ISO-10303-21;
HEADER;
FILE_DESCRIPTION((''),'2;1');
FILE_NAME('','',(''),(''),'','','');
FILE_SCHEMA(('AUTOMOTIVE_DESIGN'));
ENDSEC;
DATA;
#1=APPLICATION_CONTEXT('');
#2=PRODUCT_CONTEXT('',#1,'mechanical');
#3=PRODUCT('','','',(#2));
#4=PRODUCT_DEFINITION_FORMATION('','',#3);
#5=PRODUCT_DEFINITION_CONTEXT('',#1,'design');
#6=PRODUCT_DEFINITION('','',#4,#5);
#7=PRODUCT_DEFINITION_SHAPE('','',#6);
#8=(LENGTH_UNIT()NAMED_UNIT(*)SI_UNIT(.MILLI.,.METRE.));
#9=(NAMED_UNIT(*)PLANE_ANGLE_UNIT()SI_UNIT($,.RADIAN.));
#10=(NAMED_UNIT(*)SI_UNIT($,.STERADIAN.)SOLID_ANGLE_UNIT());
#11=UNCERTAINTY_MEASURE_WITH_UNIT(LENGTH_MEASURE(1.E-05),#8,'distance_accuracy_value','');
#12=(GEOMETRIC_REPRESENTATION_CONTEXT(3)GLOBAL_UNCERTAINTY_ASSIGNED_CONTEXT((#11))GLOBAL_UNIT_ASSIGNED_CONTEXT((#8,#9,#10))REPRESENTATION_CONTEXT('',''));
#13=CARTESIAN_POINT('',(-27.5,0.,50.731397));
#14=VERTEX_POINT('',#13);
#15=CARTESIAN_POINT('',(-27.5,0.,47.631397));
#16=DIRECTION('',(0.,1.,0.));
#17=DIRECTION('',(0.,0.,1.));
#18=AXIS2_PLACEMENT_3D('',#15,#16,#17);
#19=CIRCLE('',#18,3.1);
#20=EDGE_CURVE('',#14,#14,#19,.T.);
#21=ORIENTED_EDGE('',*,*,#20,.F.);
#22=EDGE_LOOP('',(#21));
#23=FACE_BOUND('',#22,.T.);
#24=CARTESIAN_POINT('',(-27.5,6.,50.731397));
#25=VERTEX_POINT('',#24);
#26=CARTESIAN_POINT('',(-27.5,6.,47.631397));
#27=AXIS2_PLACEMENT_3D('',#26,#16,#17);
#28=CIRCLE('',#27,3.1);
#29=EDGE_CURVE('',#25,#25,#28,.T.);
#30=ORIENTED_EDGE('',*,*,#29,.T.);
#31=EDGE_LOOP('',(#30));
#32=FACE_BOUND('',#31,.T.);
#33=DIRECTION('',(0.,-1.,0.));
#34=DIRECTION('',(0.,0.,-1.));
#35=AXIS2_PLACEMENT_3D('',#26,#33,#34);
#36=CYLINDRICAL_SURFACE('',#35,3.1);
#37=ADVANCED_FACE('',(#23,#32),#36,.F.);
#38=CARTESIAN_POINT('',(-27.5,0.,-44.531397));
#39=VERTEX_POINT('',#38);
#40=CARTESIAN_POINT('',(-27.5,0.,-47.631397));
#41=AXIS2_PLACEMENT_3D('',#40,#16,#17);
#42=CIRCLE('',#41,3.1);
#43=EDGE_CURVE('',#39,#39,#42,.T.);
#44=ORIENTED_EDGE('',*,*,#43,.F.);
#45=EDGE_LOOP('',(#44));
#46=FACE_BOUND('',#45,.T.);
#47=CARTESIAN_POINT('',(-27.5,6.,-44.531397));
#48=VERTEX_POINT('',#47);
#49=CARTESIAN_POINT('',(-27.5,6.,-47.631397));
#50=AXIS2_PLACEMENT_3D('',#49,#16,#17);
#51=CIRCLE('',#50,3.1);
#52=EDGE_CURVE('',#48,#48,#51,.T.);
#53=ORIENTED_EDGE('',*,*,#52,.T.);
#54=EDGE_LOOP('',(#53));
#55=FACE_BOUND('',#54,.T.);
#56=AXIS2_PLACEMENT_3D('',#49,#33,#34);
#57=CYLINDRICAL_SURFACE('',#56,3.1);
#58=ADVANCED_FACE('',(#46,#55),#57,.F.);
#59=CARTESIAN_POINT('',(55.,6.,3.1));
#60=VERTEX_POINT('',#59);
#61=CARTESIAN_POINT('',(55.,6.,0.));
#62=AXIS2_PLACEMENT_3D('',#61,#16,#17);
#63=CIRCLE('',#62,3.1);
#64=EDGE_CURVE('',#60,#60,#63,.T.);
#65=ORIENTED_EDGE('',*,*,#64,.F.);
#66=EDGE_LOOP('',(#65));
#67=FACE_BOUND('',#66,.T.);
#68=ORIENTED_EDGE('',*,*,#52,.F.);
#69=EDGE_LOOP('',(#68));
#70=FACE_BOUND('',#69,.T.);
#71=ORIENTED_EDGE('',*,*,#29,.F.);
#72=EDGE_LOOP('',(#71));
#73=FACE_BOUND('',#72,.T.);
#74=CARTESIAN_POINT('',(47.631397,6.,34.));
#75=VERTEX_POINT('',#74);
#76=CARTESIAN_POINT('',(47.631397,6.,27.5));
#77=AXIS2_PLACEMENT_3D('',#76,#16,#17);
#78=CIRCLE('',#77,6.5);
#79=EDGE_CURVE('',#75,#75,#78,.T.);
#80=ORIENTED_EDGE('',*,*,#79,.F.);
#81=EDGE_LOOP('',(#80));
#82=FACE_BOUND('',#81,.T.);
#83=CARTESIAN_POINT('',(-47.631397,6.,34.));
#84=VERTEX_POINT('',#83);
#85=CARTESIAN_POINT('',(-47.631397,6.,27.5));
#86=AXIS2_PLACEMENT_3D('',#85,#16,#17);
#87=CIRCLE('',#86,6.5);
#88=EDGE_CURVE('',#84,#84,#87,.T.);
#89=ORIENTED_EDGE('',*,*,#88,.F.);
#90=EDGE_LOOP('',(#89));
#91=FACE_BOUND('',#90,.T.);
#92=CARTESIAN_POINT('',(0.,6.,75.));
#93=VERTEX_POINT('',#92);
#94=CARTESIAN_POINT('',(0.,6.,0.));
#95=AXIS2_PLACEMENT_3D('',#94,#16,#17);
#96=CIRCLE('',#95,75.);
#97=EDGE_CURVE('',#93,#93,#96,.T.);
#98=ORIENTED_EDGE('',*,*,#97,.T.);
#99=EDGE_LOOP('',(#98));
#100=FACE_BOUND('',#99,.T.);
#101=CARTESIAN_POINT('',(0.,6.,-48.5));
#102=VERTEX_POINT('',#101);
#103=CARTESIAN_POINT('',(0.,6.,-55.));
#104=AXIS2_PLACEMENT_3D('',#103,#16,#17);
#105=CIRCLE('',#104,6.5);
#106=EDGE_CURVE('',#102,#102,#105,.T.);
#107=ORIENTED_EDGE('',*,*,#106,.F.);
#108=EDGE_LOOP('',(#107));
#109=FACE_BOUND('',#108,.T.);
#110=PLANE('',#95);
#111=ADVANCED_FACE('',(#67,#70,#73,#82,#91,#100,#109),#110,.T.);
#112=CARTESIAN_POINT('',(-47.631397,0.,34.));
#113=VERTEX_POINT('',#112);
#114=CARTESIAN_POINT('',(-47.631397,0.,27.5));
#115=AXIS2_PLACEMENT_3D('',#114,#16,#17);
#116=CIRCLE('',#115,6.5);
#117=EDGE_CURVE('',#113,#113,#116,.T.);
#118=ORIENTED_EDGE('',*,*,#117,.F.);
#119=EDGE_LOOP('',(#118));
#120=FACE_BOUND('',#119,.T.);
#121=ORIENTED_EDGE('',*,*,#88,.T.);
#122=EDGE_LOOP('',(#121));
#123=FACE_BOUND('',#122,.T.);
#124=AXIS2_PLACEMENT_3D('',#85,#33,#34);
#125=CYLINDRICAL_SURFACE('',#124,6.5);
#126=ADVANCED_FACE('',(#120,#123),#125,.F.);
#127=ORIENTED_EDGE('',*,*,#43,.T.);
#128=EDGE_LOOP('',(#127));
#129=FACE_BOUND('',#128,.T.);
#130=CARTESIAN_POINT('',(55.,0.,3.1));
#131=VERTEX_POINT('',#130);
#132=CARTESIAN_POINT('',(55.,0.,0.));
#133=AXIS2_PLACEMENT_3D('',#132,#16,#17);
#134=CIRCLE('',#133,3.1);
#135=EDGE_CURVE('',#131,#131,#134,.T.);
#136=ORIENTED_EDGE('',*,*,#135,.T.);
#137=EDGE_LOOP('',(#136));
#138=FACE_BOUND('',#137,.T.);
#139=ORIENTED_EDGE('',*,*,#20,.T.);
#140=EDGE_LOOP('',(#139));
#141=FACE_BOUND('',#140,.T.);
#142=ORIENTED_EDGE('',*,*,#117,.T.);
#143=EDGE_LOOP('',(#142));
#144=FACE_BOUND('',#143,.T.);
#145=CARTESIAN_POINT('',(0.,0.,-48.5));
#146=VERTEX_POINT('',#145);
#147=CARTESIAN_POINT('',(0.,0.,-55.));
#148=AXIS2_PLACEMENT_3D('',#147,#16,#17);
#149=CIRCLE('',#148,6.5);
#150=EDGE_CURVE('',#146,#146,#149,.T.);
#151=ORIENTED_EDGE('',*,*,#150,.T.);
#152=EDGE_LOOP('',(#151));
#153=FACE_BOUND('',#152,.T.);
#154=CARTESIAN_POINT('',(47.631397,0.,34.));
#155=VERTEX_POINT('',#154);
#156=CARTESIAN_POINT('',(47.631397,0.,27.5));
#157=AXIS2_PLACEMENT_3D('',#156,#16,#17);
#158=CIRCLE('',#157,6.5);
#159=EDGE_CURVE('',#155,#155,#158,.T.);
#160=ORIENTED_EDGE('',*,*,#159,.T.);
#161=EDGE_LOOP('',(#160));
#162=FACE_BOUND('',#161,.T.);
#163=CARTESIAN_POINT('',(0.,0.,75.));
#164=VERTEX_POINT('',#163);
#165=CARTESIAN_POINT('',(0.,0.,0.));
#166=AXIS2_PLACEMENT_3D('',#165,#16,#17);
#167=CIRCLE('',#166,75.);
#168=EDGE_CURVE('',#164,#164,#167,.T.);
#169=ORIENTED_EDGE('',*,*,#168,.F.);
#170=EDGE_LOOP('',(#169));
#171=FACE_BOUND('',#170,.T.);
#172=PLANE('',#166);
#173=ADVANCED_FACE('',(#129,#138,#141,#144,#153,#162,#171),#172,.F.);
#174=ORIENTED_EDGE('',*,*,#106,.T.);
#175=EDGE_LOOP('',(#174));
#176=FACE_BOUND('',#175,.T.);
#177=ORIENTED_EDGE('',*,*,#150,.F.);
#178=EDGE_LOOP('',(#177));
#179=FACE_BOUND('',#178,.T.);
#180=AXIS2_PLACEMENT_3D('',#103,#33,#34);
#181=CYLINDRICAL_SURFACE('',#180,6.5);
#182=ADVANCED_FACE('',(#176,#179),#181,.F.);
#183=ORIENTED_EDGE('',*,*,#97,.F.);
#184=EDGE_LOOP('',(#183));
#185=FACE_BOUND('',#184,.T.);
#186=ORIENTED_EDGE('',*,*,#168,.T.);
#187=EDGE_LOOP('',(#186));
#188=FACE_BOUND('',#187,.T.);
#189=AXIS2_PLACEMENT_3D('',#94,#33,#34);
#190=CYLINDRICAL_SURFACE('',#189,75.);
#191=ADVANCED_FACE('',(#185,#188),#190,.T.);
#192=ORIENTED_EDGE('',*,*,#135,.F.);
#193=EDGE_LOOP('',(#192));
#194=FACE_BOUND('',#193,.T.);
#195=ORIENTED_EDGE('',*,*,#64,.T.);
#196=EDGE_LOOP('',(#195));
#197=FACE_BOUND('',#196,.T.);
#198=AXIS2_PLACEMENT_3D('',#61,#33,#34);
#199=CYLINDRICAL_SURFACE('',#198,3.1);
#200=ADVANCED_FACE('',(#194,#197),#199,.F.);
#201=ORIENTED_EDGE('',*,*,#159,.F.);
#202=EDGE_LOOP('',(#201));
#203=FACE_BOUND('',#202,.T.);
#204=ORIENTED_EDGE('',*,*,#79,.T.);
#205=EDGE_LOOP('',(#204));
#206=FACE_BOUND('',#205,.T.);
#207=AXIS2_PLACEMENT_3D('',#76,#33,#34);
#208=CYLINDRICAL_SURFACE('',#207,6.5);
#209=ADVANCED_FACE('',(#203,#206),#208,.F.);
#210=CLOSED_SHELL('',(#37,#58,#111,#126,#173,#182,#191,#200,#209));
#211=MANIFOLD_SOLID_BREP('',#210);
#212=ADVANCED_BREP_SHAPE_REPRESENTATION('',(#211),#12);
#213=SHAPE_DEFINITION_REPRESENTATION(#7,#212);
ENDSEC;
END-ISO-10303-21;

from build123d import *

# Parameters (mm, degrees)
SKETCH1_R           = 75
SKETCH1_R_2         = 6.5
SKETCH1_R_3         = 3.1
BOSS_EXTRUDE1_DEPTH = 6


with BuildPart() as part:
    # Sketch1 → Boss-Extrude1 (new body)
    with BuildSketch(Plane(origin=(0, 0, 0), x_dir=(1, 0, 0), z_dir=(0, 1, 0))):
        Circle(SKETCH1_R)
        with Locations((0, 55)):
            Circle(SKETCH1_R_2, mode=Mode.SUBTRACT)
        with Locations((-47.631397208, -27.5)):
            Circle(SKETCH1_R_2, mode=Mode.SUBTRACT)
        with Locations((47.631397208, -27.5)):
            Circle(SKETCH1_R_2, mode=Mode.SUBTRACT)
        with Locations((-27.5, 47.631397208)):
            Circle(SKETCH1_R_3, mode=Mode.SUBTRACT)
        with Locations((55, 0)):
            Circle(SKETCH1_R_3, mode=Mode.SUBTRACT)
        with Locations((-27.5, -47.631397208)):
            Circle(SKETCH1_R_3, mode=Mode.SUBTRACT)
    extrude(amount=BOSS_EXTRUDE1_DEPTH)


solid = part.part
